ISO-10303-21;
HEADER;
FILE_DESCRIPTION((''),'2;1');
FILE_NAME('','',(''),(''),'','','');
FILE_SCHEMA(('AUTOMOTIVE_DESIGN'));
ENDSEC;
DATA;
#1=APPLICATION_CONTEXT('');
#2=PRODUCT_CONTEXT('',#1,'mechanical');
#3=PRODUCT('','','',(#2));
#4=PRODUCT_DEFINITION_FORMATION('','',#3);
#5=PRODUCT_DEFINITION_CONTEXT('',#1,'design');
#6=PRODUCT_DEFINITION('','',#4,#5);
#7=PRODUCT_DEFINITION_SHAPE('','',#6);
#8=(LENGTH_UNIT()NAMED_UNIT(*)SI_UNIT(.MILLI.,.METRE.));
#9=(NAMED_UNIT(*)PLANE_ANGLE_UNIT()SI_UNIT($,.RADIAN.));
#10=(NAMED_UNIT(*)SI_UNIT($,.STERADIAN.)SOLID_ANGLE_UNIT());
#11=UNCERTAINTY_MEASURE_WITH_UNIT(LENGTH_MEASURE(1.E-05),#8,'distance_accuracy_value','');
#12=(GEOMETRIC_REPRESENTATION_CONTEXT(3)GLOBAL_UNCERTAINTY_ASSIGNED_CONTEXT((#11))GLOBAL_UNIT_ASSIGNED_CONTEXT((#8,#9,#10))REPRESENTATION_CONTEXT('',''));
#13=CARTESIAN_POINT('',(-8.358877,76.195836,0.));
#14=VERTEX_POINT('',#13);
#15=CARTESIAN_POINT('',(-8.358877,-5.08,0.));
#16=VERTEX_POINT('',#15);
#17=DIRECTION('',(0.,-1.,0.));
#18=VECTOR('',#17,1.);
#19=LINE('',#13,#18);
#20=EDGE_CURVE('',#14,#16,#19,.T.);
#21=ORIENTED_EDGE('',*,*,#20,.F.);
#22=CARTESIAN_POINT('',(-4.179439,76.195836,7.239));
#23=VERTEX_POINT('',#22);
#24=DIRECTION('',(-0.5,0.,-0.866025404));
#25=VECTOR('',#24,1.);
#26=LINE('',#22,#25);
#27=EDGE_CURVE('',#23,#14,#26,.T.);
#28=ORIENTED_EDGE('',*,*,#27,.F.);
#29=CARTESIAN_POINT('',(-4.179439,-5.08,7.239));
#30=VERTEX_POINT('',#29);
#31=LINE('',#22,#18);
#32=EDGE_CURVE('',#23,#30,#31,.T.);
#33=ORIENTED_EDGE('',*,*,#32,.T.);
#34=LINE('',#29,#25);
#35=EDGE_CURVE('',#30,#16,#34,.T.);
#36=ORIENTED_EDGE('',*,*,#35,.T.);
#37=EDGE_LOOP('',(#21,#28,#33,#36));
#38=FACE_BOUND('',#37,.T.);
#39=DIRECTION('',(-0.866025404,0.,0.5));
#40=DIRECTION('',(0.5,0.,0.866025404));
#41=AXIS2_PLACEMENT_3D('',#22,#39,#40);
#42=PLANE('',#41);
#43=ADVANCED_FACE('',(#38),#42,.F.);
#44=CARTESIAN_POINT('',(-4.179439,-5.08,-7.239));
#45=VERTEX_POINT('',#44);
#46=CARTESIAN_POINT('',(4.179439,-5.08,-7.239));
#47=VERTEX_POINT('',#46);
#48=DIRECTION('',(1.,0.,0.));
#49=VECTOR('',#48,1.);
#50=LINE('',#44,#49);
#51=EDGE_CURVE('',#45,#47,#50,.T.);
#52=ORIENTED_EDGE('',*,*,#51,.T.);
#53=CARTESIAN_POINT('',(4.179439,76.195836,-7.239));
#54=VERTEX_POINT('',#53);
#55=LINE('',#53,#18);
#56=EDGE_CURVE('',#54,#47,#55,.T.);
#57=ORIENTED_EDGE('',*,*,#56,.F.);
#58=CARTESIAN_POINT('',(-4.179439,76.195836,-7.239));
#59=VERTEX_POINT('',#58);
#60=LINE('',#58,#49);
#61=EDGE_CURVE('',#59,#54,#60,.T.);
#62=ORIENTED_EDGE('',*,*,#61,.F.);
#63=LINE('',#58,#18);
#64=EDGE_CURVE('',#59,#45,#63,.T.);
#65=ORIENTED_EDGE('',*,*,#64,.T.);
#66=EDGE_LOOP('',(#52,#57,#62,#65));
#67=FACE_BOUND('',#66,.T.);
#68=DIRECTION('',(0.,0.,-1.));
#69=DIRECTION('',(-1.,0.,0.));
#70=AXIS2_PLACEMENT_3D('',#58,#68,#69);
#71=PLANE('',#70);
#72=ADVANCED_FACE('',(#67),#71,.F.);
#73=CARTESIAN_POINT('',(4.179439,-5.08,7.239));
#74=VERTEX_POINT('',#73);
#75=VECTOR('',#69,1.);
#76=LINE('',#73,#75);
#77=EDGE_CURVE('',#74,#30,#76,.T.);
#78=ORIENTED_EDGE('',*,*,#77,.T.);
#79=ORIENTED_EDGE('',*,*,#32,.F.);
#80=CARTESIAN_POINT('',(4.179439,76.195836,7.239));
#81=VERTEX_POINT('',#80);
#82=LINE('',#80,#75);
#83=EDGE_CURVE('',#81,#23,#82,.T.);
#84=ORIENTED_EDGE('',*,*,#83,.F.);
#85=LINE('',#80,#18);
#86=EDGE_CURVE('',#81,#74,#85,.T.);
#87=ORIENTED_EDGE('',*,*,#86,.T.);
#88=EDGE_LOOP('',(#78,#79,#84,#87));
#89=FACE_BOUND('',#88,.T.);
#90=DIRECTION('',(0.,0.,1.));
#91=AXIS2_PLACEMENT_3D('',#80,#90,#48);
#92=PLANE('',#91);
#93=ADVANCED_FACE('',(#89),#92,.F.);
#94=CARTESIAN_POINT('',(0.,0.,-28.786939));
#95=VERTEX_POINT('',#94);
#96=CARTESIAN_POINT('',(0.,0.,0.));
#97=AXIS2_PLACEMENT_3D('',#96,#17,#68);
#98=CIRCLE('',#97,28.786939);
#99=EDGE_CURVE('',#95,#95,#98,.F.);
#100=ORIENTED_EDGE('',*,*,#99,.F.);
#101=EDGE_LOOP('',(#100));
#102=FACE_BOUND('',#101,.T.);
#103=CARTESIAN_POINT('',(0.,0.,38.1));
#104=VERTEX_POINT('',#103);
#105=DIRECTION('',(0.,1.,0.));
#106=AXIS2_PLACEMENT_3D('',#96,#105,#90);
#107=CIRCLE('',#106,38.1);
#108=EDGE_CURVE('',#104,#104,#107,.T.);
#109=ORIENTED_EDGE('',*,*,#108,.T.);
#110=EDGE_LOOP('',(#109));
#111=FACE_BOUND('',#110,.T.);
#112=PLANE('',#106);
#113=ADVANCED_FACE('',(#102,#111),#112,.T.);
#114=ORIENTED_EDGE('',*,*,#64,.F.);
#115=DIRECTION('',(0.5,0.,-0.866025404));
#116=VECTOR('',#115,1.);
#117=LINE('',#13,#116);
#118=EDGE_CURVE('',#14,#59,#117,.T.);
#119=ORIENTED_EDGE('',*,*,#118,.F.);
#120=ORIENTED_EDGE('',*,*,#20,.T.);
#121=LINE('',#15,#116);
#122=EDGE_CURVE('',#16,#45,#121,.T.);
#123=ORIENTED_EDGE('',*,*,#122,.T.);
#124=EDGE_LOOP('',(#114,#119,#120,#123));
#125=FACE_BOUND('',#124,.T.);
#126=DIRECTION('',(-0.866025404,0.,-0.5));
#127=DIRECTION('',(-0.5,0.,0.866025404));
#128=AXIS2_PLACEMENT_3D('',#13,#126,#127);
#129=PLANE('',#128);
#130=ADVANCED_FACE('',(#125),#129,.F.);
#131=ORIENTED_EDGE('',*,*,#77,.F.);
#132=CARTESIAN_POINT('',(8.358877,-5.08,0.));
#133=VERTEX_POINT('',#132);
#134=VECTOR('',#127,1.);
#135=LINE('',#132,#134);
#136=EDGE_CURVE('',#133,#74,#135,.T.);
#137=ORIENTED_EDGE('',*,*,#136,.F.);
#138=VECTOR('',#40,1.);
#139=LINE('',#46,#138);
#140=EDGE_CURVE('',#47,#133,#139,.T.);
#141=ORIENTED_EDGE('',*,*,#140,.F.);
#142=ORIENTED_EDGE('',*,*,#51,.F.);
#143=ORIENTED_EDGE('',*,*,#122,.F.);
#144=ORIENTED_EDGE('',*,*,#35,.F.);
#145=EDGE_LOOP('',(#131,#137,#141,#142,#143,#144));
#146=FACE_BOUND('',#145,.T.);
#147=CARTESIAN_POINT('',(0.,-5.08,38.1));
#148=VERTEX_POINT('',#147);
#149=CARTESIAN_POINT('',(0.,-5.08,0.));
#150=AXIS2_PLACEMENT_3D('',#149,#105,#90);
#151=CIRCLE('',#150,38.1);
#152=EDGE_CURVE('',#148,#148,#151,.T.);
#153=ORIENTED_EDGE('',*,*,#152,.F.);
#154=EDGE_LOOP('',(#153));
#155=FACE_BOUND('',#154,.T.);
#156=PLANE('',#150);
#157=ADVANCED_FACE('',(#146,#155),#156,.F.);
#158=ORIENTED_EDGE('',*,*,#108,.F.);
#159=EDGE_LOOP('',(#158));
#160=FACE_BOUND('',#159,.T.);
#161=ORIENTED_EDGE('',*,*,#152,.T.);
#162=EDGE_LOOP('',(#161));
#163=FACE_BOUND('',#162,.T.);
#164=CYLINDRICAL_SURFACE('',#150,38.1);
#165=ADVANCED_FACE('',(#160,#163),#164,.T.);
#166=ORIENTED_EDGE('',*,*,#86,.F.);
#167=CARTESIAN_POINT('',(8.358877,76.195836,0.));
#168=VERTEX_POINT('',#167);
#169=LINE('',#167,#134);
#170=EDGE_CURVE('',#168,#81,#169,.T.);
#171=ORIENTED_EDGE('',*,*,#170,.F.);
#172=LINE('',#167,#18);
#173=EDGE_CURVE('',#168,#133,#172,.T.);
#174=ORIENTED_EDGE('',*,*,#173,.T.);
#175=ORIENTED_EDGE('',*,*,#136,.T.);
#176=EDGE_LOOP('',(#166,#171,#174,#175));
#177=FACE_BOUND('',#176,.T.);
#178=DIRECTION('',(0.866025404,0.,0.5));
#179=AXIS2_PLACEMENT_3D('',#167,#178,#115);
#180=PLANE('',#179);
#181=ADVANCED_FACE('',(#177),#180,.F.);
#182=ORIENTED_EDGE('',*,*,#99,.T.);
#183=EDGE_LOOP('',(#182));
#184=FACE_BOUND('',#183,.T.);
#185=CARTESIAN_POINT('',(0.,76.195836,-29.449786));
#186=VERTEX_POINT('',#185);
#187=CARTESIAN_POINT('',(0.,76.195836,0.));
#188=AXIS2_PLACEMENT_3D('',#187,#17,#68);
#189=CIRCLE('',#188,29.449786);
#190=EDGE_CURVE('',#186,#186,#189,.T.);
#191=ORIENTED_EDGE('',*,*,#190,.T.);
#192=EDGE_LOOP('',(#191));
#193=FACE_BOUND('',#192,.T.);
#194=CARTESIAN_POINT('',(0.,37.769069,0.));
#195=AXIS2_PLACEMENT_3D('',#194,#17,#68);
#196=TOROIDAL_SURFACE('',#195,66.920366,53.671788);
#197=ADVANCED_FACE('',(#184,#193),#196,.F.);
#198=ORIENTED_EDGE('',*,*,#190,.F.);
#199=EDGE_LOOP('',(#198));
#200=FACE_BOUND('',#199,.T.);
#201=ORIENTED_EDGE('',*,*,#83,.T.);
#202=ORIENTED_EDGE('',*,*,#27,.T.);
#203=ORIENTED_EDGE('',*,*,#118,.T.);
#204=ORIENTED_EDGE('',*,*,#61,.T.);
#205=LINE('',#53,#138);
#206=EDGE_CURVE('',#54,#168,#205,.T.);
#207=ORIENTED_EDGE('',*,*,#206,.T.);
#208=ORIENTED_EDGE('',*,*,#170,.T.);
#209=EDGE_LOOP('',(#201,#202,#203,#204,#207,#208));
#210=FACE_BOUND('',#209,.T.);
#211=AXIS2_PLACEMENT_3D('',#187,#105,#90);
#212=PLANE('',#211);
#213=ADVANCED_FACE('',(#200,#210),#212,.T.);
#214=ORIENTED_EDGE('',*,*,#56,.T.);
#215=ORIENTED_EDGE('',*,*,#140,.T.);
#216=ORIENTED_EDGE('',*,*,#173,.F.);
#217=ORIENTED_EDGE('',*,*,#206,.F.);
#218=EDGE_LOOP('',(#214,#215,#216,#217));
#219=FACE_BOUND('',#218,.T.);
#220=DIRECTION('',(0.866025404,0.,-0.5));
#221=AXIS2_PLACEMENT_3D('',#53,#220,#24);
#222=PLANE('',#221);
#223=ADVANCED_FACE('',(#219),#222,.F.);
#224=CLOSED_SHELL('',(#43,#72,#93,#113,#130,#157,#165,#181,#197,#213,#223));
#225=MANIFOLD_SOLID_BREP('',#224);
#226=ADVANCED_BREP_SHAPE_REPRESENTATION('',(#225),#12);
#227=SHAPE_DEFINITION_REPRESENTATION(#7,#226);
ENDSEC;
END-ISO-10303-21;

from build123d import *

# Parameters (mm, degrees)
SKETCH1_R           = 38.1
BOSS_EXTRUDE1_DEPTH = 5.08
CUT_EXTRUDE1_DEPTH  = 98.514006601


with BuildPart() as part:
    # Sketch1 → Boss-Extrude1 (new body)
    with BuildSketch(Plane(origin=(0, 0, 0), x_dir=(1, 0, 0), z_dir=(0, 1, 0))):
        with Locations(Location((0, 0, 0), (0, 0, 270))):
            Circle(SKETCH1_R)
    extrude(amount=-BOSS_EXTRUDE1_DEPTH)

    # Sketch4 → Revolve1 (revolve)
    with BuildSketch(Plane.XY, mode=Mode.PRIVATE) as revolve1_sk:
        with BuildLine():
            Line((0, 0), (0, 76.19583579))
            Line((0, 76.19583579), (29.449785718, 76.19583579))
            ThreePointArc((29.449785718, 76.19583579), (13.250608801, 38.235955518), (28.786938765, 0))
            Line((28.786938765, 0), (0, 0))
        make_face()
    revolve(revolve1_sk.sketch.rotate(Axis((0, 0, 0), (0, 1, 0)), 90), axis=Axis((0, 0, 0), (0, 1, 0)))

    # Sketch5 → Cut-Extrude1 (cut, through all)
    with BuildSketch(Plane(origin=(0, -5.08, 0), x_dir=(-1, 0, 0), z_dir=(0, -1, 0))):
        Polygon((8.358877197, 0), (4.179438599, 7.239), (-4.179438599, 7.239), (-8.358877197, 0), (-4.179438599, -7.239), (4.179438599, -7.239), align=None)
    extrude(amount=-CUT_EXTRUDE1_DEPTH, mode=Mode.SUBTRACT)


solid = part.part
